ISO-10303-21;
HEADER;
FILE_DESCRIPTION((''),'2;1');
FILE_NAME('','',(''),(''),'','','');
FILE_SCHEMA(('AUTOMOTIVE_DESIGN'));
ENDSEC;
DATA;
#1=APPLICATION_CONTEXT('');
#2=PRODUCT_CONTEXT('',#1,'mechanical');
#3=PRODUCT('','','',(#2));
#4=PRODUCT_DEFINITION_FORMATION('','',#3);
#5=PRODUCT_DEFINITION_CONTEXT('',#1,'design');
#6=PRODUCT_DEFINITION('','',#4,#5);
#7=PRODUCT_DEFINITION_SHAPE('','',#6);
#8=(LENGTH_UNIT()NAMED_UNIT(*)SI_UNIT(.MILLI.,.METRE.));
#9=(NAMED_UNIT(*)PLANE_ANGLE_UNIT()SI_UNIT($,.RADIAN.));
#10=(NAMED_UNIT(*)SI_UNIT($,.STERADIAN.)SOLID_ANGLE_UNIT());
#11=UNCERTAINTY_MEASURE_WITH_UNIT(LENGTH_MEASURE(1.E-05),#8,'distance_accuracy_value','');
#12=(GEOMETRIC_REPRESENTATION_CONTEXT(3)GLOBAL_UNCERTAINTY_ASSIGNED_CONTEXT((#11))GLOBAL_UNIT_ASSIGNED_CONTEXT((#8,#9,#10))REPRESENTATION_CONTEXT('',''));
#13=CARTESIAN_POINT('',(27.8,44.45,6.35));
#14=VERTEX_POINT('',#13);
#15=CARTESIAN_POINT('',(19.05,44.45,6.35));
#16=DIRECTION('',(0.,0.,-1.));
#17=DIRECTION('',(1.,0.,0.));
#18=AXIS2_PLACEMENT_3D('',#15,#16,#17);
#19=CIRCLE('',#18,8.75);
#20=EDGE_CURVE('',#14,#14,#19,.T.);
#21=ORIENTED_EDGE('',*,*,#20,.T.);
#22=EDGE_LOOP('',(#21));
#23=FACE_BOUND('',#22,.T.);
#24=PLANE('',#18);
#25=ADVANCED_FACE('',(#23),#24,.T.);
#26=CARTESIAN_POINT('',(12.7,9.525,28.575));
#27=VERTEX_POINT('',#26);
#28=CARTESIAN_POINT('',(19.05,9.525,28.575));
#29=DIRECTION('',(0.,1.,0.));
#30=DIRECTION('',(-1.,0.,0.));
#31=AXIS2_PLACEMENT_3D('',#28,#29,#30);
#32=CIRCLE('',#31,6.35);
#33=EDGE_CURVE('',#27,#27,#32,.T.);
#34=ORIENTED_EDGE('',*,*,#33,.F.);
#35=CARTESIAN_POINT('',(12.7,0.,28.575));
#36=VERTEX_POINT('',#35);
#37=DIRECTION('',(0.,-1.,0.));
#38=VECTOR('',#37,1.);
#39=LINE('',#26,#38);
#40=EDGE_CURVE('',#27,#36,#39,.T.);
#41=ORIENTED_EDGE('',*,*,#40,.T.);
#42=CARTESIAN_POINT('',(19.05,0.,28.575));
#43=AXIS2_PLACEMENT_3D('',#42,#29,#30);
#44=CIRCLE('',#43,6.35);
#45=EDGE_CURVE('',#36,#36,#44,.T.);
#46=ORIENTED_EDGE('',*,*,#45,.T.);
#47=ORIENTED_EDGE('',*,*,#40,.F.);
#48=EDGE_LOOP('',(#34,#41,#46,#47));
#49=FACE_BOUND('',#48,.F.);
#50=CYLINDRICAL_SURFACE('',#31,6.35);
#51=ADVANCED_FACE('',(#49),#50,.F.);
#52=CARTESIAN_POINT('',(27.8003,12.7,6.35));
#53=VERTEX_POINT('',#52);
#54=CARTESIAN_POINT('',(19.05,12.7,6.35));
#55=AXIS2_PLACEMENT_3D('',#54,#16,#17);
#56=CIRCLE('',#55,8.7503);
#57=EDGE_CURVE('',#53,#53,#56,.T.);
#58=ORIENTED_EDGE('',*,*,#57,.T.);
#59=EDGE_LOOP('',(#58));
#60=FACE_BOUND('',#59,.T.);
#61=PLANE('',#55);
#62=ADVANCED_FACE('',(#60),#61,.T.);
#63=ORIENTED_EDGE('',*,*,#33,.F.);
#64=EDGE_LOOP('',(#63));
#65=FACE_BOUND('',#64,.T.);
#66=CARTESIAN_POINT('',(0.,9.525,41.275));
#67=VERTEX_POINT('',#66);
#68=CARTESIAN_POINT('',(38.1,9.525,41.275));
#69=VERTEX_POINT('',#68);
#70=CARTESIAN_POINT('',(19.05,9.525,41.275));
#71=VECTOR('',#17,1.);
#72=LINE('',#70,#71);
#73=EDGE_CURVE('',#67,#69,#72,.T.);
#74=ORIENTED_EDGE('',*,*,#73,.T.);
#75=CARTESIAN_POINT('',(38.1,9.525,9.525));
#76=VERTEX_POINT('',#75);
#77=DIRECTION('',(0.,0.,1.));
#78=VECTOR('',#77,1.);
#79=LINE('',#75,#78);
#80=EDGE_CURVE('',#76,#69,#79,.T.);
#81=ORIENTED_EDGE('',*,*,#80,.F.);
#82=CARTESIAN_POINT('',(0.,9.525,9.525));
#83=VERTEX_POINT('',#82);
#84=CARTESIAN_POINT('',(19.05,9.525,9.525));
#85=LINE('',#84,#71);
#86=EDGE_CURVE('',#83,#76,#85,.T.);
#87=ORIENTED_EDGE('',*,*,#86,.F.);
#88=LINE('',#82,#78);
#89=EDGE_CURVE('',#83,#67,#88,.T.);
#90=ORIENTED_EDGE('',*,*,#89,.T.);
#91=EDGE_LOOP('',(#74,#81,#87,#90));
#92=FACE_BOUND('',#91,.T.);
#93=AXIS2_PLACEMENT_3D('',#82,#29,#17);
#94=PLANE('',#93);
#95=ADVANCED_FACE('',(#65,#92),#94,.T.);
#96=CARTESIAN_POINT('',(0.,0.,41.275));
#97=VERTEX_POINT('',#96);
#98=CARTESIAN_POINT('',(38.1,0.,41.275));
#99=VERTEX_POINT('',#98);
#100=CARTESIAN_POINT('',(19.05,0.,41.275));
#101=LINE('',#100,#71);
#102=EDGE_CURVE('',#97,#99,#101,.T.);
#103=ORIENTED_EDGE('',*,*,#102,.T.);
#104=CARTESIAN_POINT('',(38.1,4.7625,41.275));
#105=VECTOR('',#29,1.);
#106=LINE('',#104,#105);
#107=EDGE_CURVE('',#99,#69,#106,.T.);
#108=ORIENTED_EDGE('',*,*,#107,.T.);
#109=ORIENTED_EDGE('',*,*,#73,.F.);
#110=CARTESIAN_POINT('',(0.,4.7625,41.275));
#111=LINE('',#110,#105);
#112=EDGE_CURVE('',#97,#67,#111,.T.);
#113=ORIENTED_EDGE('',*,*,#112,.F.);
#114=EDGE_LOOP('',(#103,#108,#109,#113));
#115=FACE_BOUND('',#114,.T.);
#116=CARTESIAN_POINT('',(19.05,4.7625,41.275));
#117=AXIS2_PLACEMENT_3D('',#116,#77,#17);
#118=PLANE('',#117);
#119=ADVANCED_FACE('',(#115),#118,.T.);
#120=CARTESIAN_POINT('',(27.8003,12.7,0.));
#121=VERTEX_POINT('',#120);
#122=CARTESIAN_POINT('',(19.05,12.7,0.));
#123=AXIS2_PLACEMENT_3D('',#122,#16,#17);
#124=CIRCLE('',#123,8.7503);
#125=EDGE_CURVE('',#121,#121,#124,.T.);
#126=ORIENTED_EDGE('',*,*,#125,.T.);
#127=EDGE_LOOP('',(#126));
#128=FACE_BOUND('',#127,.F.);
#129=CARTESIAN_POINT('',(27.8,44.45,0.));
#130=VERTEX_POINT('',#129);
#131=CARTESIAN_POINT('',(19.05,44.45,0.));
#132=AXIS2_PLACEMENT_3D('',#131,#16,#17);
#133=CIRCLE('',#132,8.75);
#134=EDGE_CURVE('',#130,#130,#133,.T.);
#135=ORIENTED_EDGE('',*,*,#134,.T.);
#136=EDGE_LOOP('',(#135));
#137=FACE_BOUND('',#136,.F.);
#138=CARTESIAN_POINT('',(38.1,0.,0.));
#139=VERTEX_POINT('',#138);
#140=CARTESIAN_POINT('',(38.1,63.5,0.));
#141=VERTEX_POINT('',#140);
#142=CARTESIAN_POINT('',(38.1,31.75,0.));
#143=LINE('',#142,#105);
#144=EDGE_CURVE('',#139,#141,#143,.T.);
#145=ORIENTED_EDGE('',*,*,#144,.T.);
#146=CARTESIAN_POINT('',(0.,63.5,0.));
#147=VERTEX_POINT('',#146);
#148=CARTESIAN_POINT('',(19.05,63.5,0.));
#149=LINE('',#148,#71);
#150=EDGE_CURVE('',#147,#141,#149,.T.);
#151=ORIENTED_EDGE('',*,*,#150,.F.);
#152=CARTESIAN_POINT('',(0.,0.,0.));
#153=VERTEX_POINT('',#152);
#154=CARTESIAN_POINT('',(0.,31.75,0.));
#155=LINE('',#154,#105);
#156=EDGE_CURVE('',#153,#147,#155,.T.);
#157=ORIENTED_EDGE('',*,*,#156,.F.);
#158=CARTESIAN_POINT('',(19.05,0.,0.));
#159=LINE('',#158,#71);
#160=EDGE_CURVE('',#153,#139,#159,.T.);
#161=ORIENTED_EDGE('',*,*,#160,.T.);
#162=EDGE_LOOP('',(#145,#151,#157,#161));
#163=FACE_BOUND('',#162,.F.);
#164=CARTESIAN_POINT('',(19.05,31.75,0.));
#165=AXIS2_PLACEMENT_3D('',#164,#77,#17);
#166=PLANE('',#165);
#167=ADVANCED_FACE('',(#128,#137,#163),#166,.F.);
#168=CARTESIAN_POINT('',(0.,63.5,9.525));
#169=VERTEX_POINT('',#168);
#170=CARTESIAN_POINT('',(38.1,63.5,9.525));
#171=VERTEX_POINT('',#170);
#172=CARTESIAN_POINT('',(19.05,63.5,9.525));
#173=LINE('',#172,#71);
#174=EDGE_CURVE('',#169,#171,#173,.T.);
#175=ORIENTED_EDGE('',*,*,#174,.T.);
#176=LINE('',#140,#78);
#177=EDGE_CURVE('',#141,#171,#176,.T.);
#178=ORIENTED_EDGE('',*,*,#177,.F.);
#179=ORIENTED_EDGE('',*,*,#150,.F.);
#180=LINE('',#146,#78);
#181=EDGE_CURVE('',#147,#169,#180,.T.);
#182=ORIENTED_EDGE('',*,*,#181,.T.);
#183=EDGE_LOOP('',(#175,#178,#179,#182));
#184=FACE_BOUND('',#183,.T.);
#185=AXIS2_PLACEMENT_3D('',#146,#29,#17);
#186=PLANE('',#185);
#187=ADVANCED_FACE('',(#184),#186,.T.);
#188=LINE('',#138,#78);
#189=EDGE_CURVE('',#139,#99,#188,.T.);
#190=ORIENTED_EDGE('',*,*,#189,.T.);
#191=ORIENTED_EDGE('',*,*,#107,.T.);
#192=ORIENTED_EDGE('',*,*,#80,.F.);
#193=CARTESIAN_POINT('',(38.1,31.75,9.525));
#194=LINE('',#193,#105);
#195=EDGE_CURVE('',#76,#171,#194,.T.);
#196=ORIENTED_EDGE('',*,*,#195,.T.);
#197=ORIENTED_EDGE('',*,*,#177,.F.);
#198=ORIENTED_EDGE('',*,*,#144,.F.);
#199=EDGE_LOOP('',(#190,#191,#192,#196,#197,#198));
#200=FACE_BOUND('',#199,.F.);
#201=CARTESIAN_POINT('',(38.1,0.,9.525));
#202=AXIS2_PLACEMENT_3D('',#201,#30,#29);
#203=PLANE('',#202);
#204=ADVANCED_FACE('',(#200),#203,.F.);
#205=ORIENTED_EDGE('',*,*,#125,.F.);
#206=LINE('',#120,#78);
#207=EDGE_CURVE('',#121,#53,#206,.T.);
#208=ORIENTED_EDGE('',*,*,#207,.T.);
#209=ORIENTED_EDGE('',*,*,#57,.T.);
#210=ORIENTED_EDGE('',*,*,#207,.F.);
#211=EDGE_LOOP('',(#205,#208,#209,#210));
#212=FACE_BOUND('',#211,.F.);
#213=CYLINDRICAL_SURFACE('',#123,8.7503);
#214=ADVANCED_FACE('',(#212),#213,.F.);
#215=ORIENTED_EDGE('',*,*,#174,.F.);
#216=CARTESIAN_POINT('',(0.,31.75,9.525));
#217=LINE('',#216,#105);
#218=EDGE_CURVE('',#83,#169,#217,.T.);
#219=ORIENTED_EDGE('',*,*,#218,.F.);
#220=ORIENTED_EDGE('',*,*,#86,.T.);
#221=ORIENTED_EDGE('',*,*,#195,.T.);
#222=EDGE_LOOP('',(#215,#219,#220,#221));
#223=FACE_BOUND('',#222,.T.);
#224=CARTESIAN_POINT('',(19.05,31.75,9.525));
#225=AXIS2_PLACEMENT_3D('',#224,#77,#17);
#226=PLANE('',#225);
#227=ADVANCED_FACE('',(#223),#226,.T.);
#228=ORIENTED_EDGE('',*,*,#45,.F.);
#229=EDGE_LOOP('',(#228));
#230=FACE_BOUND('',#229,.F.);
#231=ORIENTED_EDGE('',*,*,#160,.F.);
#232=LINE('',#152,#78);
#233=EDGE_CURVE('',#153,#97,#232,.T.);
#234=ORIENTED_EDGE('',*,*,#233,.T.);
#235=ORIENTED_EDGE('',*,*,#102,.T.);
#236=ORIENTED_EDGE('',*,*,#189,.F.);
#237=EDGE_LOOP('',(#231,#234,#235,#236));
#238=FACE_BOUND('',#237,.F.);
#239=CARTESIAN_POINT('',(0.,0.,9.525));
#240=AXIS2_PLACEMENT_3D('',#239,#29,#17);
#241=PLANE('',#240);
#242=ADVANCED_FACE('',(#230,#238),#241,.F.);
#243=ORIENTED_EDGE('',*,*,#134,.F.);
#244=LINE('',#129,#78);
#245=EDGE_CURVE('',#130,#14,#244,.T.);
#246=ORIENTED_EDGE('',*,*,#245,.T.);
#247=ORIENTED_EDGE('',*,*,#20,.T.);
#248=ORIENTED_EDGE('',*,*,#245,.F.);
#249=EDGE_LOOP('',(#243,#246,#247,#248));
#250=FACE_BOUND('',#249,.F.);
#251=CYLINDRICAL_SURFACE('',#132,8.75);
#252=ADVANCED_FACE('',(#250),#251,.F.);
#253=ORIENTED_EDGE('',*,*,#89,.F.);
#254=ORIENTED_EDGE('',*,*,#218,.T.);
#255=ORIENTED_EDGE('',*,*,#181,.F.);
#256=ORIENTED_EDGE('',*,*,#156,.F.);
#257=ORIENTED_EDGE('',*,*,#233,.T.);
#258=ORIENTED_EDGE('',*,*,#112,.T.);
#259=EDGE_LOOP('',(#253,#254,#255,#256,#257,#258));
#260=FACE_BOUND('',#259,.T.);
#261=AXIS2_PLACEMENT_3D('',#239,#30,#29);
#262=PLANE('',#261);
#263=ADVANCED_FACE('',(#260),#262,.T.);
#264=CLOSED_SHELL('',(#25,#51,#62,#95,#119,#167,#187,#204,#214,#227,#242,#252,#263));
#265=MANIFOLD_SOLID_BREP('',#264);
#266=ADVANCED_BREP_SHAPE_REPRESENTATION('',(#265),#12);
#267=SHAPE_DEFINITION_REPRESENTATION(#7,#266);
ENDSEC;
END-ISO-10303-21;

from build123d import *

# Parameters (mm, degrees)
F0_W     = 38.1
F0_H     = 63.5
F1_DEPTH = 9.525
F2_W     = 38.1
F2_H     = 9.525
F3_DEPTH = 31.75
F4_R     = 8.75
F5_DEPTH = 6.35
F6_R     = 6.35
F7_DEPTH = 25.4
F4_R_2   = 8.7503
F8_DEPTH = 6.35


with BuildPart() as f1:
    # F0 (on Top) → F1 (new body)
    with BuildSketch(Plane.XY):
        with Locations((19.05, 31.75)):
            Rectangle(F0_W, F0_H)
    extrude(amount=F1_DEPTH)

    # F2 (on face) → F3 (join)
    with BuildSketch(Plane.XY.offset(9.525)):
        with Locations((19.05, 4.7625)):
            Rectangle(F2_W, F2_H)
    extrude(amount=F3_DEPTH)

    # F4 (on face) → F5 (cut)
    with BuildSketch(Plane(origin=(0, 0, 0), x_dir=(1, 0, 0), z_dir=(0, 0, -1))):
        with Locations((19.05, -44.45)):
            Circle(F4_R)
    extrude(amount=-F5_DEPTH, mode=Mode.SUBTRACT)

    # F6 (on face) → F7 (cut)
    with BuildSketch(Plane(origin=(0, 9.525, 0), x_dir=(-1, 0, 0), z_dir=(0, 1, 0))):
        with Locations((-19.05, 28.575)):
            Circle(F6_R)
    extrude(amount=-F7_DEPTH, mode=Mode.SUBTRACT)

    # F4 (on face) → F8 (cut)
    with BuildSketch(Plane(origin=(0, 0, 0), x_dir=(1, 0, 0), z_dir=(0, 0, -1))):
        with Locations((19.05, -44.45)):
            Circle(F4_R)
        with Locations((19.05, -12.7)):
            Circle(F4_R_2)
    extrude(amount=-F8_DEPTH, mode=Mode.SUBTRACT)


solid = f1.part
